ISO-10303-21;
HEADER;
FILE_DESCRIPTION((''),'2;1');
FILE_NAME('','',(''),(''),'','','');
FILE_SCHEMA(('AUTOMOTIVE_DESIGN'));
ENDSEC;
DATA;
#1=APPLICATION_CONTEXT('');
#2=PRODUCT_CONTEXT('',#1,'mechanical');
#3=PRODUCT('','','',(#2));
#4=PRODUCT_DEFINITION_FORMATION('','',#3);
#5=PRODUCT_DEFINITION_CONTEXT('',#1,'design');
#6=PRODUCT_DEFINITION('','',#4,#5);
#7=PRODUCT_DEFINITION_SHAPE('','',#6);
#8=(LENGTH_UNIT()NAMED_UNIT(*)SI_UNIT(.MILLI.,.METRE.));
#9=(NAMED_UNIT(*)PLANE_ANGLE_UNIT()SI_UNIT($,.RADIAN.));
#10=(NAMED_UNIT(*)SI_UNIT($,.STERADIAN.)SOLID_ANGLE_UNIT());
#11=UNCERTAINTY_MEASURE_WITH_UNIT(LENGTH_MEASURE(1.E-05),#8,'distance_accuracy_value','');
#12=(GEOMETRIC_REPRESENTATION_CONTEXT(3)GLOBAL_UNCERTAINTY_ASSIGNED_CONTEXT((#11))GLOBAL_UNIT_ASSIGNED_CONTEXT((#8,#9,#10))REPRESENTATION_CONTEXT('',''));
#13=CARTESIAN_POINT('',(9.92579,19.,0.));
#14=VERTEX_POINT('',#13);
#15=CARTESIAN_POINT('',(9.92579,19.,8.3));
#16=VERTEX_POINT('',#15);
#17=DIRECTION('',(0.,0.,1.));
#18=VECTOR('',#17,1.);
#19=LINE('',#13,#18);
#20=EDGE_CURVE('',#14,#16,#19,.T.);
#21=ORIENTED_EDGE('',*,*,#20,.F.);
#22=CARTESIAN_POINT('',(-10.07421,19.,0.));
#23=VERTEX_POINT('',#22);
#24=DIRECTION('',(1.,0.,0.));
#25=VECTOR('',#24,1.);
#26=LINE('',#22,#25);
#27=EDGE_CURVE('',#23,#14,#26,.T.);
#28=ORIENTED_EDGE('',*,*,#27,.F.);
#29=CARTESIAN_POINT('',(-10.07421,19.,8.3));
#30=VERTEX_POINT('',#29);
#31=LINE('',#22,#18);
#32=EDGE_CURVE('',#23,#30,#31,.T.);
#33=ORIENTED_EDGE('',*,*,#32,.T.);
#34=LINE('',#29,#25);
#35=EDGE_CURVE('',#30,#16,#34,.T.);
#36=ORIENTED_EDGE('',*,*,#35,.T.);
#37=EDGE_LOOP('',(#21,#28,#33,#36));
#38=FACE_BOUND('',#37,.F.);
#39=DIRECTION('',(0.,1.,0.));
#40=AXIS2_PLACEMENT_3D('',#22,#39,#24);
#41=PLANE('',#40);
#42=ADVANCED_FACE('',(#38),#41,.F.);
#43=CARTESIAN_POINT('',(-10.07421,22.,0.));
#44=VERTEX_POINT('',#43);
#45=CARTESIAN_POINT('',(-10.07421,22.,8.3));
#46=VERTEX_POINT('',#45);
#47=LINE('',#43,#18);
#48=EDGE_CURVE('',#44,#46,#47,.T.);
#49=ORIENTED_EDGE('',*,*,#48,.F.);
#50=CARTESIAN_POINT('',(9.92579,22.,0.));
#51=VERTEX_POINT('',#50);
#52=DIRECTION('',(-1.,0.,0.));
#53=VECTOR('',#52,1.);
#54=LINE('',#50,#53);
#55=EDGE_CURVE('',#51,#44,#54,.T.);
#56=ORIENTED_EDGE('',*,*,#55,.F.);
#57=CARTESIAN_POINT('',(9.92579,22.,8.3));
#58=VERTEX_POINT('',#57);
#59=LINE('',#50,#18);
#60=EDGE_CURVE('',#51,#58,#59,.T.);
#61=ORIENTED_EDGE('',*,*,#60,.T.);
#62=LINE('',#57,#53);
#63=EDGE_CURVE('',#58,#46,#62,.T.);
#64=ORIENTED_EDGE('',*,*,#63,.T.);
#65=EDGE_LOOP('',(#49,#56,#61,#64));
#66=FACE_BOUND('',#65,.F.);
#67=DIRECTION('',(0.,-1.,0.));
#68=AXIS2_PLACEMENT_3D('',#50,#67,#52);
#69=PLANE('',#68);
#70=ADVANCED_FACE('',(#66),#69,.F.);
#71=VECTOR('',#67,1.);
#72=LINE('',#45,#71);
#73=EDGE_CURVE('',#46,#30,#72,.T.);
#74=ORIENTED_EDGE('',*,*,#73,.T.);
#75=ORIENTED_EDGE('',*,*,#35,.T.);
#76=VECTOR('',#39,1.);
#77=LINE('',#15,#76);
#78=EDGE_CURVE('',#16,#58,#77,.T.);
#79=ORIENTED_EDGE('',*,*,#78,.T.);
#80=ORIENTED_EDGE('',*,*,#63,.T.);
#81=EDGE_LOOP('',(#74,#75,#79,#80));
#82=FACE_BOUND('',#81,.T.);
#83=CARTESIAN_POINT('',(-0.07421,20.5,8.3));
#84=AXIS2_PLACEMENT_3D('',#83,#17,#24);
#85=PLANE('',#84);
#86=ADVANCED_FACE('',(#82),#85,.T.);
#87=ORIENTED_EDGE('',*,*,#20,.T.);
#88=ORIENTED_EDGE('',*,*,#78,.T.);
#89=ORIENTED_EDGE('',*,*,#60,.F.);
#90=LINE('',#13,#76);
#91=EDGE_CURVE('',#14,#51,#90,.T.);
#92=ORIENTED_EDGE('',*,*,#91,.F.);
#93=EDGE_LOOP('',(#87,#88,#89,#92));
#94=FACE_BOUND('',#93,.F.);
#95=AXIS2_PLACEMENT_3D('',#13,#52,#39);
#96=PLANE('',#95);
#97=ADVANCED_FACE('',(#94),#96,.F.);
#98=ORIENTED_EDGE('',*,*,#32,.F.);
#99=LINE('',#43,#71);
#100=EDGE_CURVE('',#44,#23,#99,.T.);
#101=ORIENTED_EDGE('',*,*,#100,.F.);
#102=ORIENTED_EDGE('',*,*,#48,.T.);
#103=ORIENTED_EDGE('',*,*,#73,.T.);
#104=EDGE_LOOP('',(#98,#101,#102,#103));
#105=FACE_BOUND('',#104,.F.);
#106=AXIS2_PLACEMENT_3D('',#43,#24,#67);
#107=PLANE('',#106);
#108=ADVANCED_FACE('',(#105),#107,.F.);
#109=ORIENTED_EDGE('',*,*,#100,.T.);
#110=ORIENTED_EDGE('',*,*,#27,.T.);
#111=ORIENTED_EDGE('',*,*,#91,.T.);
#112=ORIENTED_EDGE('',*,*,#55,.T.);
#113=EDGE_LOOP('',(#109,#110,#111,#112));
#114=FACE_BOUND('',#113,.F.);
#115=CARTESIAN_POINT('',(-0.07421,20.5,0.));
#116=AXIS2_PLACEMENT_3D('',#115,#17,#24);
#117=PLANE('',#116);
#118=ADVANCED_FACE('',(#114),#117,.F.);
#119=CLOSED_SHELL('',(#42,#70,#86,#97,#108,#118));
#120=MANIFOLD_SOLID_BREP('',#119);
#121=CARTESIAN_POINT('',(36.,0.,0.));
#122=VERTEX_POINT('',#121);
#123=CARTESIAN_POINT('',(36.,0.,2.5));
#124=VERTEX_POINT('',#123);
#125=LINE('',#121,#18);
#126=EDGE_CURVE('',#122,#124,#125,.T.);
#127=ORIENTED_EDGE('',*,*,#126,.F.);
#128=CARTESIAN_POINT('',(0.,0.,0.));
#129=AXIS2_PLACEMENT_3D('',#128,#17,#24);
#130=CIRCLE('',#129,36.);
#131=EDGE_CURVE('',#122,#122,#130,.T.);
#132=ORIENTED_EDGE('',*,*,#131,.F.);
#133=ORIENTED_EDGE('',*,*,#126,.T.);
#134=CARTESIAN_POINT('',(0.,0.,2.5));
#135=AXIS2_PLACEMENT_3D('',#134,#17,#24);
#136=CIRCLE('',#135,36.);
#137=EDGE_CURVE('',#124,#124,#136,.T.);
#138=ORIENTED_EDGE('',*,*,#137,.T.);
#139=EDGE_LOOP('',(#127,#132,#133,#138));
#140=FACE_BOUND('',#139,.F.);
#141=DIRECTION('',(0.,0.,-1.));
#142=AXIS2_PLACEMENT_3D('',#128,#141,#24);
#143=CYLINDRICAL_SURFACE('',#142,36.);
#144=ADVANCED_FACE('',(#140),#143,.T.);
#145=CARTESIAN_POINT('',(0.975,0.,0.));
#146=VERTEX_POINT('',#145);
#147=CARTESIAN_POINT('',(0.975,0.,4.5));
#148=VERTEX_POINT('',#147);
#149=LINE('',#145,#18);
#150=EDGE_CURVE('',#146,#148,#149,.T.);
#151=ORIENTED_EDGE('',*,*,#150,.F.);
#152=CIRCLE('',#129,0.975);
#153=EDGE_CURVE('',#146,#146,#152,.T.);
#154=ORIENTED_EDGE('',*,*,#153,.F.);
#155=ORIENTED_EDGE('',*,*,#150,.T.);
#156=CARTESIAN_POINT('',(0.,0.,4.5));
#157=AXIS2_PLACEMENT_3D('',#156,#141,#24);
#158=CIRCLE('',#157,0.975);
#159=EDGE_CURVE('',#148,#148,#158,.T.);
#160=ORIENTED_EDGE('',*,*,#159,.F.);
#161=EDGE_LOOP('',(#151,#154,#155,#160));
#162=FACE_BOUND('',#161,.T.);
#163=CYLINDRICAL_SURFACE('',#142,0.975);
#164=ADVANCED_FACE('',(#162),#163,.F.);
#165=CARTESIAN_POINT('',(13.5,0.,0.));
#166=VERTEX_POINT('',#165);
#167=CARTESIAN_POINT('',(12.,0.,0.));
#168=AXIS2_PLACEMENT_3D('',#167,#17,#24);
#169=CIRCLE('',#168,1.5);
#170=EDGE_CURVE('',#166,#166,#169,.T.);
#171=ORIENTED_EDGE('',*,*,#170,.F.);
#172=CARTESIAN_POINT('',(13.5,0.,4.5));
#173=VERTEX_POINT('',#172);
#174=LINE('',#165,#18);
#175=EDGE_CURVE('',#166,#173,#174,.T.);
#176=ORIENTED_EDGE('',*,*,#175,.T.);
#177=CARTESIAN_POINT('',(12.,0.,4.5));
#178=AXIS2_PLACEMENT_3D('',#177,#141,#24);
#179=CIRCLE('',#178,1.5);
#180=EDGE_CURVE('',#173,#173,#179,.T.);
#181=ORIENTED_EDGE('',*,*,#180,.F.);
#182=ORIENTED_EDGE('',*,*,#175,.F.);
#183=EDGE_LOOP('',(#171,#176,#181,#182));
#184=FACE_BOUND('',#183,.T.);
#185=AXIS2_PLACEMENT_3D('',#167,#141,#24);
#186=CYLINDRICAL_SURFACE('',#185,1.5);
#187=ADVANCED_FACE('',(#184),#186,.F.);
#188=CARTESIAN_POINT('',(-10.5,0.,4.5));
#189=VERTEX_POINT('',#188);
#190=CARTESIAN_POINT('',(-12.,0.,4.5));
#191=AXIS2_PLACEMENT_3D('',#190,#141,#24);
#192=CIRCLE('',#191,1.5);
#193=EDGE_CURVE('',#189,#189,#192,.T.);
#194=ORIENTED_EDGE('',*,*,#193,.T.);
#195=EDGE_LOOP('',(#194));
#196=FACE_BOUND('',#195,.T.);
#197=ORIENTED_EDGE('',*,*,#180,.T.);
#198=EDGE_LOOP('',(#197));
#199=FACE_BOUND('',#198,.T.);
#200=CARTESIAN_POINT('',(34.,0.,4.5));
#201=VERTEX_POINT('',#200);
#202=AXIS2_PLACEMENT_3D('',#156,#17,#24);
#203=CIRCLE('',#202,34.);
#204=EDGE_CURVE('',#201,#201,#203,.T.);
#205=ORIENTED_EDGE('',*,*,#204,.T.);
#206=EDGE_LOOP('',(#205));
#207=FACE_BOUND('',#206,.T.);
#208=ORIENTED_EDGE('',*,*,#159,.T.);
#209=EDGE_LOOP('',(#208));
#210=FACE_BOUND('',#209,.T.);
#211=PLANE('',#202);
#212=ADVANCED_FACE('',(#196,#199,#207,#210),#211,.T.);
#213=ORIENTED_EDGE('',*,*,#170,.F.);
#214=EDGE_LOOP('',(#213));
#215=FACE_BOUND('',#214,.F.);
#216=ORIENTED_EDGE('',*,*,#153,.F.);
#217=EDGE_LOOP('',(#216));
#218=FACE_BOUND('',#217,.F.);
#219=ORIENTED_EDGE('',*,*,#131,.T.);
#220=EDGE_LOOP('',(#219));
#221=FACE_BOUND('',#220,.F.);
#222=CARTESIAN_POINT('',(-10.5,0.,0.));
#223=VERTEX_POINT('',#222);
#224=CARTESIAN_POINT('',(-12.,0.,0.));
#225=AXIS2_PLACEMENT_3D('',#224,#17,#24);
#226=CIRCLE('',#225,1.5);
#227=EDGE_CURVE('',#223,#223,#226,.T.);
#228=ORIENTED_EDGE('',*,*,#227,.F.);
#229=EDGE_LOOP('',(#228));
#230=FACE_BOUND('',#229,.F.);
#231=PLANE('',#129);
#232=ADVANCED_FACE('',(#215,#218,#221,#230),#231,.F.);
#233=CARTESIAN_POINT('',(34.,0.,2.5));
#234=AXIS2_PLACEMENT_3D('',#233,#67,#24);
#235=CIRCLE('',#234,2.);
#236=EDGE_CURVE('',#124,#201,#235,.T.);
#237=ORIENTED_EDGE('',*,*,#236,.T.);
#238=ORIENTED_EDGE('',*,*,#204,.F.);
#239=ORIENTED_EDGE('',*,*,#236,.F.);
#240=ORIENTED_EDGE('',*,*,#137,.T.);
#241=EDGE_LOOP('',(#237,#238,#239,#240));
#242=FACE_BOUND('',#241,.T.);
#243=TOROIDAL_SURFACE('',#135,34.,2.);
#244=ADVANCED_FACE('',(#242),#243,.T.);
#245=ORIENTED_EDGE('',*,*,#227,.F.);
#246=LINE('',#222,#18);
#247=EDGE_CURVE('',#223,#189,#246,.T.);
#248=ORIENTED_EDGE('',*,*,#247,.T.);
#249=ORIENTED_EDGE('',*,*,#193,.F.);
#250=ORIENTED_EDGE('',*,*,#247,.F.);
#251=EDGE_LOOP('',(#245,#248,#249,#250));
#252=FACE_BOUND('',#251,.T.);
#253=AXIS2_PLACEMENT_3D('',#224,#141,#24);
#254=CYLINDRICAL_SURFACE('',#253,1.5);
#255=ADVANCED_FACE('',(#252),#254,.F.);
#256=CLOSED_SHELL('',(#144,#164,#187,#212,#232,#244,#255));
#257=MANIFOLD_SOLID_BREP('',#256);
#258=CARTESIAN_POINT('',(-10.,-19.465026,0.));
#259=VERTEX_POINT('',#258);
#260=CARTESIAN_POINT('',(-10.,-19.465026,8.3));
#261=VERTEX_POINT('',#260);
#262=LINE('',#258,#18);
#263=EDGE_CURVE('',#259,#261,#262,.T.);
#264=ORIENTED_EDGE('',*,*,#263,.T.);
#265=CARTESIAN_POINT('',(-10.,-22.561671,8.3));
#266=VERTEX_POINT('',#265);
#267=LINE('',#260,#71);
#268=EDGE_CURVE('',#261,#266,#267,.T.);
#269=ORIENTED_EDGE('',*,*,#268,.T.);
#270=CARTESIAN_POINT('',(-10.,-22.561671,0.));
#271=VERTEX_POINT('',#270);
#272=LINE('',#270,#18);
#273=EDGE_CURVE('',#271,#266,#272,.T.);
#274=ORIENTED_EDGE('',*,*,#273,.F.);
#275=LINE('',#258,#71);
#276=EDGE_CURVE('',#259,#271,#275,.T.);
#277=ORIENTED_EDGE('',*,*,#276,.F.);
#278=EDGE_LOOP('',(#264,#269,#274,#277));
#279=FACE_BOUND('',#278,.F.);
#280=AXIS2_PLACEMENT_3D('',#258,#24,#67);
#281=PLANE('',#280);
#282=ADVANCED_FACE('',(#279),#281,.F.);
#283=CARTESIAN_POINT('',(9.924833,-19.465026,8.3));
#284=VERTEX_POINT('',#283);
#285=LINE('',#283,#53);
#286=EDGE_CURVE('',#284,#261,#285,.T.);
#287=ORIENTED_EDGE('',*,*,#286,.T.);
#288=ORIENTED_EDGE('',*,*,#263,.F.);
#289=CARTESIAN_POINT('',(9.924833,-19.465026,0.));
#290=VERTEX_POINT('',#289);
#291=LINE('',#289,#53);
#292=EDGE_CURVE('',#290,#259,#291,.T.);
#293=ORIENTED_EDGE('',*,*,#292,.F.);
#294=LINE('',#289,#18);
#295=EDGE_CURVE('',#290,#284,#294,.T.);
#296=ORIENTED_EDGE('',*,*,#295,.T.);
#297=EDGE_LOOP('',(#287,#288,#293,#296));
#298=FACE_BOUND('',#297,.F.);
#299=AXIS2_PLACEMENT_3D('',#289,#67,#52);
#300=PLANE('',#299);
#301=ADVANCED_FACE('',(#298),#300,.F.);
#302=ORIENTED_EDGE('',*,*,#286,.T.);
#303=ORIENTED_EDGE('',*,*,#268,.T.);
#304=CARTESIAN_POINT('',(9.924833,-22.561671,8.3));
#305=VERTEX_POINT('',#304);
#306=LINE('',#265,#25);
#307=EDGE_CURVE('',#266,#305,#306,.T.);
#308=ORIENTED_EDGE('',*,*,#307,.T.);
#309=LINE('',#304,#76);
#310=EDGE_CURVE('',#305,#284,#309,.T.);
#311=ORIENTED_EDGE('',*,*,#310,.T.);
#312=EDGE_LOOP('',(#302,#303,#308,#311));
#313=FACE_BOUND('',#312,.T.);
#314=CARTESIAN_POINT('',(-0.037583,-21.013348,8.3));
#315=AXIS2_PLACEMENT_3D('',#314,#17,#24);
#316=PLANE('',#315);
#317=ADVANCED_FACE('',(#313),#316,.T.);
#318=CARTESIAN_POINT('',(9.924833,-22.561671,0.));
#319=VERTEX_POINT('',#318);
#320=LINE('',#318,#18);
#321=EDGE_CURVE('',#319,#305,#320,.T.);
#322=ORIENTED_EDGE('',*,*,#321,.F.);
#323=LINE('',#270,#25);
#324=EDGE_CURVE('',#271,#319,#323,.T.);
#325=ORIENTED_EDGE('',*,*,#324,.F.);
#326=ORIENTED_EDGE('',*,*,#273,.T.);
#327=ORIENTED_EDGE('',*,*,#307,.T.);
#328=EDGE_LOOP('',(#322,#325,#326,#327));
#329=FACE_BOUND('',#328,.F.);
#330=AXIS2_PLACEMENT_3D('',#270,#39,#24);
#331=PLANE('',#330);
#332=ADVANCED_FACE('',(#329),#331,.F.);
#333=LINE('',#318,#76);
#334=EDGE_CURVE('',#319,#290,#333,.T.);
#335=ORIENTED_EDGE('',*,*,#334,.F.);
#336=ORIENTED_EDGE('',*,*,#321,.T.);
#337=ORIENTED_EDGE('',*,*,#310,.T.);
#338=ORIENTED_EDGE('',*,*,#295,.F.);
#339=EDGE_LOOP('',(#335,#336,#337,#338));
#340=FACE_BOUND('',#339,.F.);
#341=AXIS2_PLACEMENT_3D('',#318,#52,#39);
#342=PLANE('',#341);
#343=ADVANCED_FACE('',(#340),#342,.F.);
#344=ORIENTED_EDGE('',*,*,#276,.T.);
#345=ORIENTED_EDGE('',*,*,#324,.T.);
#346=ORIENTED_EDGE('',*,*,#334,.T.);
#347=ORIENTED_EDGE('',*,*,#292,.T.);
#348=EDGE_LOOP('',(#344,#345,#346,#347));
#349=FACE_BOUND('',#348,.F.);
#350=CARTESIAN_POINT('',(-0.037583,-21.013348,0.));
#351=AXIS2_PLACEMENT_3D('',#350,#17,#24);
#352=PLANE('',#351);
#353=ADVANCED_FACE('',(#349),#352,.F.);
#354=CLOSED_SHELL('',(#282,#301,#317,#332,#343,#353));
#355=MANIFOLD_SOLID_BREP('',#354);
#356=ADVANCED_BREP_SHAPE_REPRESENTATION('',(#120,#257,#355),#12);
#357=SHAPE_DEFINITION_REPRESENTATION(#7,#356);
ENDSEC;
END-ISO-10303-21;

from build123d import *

# Parameters (mm, degrees)
F0_R      = 36
F1_DEPTH  = 4.5
F2_R      = 2
F3_R      = 0.975
F4_DEPTH  = 12.4
F5_R      = 1.5
F6_DEPTH  = 65.8
F8_DEPTH  = 8.3
F10_DEPTH = 8.3


with BuildPart() as f1:
    # F0 (on Top) → F1 (new body)
    with BuildSketch(Plane.XY):
        Circle(F0_R)
    extrude(amount=F1_DEPTH)

    # F2
    f2_edges = [f1.edges().sort_by_distance(p)[0] for p in [
        (-36, 0, 4.5),
    ]]
    fillet(f2_edges, radius=F2_R)

    # F3 (on Top) → F4 (cut)
    with BuildSketch(Plane.XY):
        Circle(F3_R)
    extrude(amount=F4_DEPTH, mode=Mode.SUBTRACT)

    # F5 (on Top) → F6 (cut)
    with BuildSketch(Plane.XY):
        with Locations((-12, 0)):
            Circle(F5_R)
        with Locations((12, 0)):
            Circle(F5_R)
    extrude(amount=F6_DEPTH, mode=Mode.SUBTRACT)


with BuildPart() as f8:
    # F7 (on Top) → F8 (new body)
    with BuildSketch(Plane.XY):
        Polygon((9.924833, -19.465026), (0, -19.465026), (-10, -19.465026), (-10, -22.561671), (9.924833, -22.561671), align=None)
    extrude(amount=F8_DEPTH)


with BuildPart() as f10:
    # F9 (on Top) → F10 (new body)
    with BuildSketch(Plane.XY):
        Polygon((-10.07421, 19), (0, 19), (9.92579, 19), (9.92579, 22), (-10.07421, 22), align=None)
    extrude(amount=F10_DEPTH)


solid = Compound([f1.part, f8.part, f10.part])
